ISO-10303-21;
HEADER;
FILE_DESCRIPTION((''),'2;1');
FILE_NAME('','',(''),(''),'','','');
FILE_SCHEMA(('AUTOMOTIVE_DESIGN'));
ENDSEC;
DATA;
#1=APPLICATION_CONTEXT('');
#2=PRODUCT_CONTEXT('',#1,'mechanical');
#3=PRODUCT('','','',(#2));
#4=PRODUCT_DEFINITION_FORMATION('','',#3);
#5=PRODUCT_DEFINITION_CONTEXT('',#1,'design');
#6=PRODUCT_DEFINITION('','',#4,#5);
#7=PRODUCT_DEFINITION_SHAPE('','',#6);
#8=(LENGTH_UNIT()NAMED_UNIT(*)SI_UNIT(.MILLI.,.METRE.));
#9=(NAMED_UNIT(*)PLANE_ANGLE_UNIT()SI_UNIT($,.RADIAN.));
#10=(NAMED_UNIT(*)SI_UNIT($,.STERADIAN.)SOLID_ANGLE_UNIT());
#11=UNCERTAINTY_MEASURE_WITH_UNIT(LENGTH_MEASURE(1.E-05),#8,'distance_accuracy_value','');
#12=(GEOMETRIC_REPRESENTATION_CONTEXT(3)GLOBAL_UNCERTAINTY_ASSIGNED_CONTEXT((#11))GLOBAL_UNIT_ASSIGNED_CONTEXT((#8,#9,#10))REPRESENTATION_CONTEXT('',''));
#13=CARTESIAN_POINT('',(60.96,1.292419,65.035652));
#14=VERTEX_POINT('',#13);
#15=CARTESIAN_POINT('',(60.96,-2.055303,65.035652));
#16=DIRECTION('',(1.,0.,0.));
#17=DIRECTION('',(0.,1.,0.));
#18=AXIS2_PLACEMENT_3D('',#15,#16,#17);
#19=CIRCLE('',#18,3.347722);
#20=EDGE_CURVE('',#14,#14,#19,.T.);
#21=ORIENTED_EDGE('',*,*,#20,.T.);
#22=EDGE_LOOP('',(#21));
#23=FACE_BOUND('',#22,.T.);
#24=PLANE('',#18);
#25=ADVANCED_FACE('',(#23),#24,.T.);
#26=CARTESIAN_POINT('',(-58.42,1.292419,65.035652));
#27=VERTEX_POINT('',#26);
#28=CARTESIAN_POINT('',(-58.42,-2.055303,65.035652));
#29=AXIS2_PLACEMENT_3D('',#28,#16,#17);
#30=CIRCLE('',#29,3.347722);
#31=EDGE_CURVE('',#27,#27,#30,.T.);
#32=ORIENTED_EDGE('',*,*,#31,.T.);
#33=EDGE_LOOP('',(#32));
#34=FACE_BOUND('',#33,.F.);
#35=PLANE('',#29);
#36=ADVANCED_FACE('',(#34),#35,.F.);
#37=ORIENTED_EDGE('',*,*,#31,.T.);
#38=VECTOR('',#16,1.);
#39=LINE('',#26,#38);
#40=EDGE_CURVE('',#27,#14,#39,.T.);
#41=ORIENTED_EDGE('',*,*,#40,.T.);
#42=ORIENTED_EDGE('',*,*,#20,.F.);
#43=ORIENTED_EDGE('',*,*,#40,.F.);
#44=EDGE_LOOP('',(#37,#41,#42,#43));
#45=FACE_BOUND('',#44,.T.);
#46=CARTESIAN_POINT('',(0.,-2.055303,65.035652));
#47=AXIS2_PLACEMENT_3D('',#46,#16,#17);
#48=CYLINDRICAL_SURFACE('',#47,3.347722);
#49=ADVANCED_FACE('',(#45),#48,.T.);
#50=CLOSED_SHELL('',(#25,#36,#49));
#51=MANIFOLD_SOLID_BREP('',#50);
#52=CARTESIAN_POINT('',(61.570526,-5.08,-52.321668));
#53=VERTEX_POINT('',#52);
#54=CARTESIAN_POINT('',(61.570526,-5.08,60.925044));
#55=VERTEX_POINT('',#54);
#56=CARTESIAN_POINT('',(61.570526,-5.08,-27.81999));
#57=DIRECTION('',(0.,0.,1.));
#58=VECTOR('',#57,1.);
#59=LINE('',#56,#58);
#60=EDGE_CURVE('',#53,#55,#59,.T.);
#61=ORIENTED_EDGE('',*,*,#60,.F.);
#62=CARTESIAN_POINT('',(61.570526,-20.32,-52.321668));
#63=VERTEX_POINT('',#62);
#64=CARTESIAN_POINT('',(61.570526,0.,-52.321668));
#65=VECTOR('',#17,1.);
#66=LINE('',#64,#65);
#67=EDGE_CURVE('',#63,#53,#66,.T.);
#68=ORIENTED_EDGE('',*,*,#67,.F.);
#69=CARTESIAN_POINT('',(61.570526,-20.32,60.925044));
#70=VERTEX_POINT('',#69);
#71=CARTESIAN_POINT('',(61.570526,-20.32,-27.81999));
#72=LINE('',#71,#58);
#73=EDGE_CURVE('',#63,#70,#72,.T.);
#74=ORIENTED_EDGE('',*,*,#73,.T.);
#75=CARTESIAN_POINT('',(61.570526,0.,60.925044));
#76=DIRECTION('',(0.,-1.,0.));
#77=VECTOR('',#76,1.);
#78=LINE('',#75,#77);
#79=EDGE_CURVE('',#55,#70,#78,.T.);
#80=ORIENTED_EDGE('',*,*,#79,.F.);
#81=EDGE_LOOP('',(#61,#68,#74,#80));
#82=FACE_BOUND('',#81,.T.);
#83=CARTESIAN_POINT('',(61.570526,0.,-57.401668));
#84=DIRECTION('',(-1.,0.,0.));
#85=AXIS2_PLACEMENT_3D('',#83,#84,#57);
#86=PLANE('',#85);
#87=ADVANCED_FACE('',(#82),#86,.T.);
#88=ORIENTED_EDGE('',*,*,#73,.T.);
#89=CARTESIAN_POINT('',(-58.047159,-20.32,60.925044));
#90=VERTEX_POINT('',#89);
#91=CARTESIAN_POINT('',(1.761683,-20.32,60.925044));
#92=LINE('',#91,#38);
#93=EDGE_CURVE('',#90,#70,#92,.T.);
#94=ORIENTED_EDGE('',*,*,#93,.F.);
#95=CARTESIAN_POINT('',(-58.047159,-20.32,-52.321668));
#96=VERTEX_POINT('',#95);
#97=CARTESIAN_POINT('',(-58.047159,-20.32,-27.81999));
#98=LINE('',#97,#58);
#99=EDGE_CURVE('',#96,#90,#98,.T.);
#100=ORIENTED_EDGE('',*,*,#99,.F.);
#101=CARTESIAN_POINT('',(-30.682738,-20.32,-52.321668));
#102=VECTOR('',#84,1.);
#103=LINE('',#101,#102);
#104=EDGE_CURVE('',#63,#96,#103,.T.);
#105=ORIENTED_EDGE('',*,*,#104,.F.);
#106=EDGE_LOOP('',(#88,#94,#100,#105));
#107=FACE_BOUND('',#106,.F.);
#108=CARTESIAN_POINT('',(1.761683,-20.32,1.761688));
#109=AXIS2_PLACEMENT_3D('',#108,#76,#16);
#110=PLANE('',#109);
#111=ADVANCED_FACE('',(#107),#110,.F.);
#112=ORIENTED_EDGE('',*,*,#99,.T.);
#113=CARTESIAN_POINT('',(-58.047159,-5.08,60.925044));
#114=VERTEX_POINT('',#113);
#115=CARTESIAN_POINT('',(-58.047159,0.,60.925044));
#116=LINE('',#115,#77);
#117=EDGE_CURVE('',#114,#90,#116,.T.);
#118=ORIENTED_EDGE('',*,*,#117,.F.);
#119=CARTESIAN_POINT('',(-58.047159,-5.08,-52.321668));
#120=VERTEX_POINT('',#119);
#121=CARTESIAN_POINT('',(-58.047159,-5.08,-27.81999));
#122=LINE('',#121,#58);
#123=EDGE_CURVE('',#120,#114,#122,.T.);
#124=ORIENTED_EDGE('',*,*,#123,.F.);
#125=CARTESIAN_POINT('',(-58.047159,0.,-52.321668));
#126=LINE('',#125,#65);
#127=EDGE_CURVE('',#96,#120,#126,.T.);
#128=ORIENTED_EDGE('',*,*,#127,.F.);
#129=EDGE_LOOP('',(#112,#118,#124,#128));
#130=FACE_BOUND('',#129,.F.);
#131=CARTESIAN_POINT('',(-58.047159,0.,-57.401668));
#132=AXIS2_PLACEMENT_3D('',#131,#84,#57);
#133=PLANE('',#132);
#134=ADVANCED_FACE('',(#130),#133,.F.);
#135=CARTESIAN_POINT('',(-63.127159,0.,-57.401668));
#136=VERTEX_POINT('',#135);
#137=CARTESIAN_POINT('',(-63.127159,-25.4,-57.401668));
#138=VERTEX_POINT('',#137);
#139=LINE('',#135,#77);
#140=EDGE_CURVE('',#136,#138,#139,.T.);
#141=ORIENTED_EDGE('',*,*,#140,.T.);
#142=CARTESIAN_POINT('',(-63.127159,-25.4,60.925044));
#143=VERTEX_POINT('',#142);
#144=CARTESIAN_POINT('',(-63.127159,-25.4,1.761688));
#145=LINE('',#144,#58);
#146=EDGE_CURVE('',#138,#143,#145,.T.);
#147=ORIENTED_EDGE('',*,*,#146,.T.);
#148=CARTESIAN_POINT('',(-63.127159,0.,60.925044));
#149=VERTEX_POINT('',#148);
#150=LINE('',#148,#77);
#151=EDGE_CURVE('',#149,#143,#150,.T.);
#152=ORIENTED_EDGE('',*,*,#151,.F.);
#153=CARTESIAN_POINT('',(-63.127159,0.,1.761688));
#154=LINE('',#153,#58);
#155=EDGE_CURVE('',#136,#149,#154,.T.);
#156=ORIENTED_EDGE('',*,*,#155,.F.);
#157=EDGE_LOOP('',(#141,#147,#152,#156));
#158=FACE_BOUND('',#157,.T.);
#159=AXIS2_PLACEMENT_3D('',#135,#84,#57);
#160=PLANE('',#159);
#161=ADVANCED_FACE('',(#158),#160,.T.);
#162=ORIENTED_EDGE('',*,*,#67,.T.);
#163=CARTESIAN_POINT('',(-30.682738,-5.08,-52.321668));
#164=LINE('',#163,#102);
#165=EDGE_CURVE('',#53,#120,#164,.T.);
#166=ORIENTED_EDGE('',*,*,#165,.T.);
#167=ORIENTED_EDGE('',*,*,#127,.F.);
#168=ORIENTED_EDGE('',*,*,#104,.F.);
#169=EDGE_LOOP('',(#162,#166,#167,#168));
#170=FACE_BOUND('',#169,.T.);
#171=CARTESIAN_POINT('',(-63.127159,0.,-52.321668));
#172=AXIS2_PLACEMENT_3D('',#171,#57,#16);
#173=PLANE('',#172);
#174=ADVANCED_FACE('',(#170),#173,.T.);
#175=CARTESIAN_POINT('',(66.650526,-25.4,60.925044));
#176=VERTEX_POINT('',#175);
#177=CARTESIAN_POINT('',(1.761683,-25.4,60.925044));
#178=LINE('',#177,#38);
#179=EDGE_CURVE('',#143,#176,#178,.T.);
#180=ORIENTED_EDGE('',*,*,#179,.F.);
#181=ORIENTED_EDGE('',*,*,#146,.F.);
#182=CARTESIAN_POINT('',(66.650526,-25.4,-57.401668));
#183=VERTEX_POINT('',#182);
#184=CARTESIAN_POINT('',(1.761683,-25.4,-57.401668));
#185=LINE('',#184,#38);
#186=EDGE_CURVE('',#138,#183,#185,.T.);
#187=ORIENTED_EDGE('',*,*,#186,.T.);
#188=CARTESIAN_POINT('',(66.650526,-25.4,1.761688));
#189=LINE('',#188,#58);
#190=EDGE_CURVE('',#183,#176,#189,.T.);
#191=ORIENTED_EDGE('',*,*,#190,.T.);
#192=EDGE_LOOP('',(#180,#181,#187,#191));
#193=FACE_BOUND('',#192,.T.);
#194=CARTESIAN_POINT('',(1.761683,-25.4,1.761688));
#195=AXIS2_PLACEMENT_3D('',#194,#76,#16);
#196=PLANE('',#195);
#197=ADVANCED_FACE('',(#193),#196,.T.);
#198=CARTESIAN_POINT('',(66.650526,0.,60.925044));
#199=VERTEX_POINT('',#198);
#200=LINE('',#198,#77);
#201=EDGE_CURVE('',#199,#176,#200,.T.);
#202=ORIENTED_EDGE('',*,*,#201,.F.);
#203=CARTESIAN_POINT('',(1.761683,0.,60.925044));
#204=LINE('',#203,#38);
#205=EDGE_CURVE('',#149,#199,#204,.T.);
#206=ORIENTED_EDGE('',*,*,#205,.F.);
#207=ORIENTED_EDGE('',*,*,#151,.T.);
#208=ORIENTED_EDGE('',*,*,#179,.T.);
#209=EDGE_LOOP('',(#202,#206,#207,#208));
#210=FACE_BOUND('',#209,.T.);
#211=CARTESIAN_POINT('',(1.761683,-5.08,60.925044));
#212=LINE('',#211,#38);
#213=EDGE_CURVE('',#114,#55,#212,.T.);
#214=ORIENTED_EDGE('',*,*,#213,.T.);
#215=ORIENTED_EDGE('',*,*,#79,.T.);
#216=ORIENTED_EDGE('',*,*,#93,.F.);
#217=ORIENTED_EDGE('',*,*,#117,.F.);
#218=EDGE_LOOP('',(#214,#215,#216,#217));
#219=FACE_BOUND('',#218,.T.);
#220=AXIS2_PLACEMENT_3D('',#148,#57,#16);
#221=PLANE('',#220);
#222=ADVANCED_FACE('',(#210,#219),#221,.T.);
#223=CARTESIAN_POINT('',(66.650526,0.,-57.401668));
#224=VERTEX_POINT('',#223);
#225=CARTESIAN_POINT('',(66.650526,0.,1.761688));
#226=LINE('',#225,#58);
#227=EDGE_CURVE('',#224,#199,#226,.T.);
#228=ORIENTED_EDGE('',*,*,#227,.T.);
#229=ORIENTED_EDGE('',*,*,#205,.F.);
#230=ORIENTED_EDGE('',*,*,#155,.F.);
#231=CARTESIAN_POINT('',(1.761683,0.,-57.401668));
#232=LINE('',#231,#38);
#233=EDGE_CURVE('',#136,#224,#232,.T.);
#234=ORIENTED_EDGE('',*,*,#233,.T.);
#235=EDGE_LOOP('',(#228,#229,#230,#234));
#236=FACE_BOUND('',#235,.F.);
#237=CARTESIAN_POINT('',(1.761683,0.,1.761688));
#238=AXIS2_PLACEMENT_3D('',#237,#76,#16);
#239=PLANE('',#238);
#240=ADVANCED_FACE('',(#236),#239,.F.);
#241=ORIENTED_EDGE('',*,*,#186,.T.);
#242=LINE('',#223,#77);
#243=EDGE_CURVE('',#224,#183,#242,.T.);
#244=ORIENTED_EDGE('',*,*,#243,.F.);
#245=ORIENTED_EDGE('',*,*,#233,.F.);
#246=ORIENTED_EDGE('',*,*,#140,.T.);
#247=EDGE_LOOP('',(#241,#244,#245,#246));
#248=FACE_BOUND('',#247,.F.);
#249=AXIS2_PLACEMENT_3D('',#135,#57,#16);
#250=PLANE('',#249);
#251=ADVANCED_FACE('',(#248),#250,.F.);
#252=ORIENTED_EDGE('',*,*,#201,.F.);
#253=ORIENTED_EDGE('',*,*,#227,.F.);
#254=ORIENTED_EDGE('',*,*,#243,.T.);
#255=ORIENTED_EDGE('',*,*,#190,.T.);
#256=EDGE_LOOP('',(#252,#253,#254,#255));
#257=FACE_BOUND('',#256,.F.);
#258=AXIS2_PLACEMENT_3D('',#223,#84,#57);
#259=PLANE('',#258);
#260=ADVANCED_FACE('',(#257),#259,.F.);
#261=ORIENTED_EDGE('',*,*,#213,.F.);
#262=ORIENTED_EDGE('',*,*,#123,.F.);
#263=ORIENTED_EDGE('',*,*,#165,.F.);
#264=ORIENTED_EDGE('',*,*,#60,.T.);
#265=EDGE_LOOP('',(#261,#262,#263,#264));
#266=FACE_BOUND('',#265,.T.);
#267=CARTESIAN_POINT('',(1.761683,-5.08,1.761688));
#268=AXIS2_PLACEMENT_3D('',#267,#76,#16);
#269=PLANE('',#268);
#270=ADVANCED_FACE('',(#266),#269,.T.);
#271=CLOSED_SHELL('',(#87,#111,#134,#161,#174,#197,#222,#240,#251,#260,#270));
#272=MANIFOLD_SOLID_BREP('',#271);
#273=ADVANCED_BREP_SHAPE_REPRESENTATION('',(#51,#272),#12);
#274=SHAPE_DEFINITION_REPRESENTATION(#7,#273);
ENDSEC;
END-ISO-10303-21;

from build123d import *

# Parameters (mm, degrees)
F0_W          = 129.777685
F0_H          = 118.326712
F1_DEPTH      = 25.4
F2_T          = -5.08
F3_R          = 3.347722
F4_DEPTH      = 60.96
F4_DEPTH_BACK = 58.42


with BuildPart() as f1:
    # F0 (on Front) → F1 (new body)
    with BuildSketch(Plane.XZ):
        with Locations((1.761683, 1.761688)):
            Rectangle(F0_W, F0_H)
    extrude(amount=F1_DEPTH)

    # F2
    f2_openings = [f1.faces().sort_by_distance(p)[0] for p in [
        (1.761682, -12.7, 60.925044),
    ]]
    offset(amount=F2_T, openings=f2_openings)


with BuildPart() as f4:
    # F3 (on Right) → F4 (new body, two sides)
    with BuildSketch(Plane.YZ) as f4_sk:
        with Locations((-2.055303, 65.035652)):
            Circle(F3_R)
    extrude(amount=F4_DEPTH)
    extrude(f4_sk.sketch, amount=-F4_DEPTH_BACK)


solid = Compound([f1.part, f4.part])
